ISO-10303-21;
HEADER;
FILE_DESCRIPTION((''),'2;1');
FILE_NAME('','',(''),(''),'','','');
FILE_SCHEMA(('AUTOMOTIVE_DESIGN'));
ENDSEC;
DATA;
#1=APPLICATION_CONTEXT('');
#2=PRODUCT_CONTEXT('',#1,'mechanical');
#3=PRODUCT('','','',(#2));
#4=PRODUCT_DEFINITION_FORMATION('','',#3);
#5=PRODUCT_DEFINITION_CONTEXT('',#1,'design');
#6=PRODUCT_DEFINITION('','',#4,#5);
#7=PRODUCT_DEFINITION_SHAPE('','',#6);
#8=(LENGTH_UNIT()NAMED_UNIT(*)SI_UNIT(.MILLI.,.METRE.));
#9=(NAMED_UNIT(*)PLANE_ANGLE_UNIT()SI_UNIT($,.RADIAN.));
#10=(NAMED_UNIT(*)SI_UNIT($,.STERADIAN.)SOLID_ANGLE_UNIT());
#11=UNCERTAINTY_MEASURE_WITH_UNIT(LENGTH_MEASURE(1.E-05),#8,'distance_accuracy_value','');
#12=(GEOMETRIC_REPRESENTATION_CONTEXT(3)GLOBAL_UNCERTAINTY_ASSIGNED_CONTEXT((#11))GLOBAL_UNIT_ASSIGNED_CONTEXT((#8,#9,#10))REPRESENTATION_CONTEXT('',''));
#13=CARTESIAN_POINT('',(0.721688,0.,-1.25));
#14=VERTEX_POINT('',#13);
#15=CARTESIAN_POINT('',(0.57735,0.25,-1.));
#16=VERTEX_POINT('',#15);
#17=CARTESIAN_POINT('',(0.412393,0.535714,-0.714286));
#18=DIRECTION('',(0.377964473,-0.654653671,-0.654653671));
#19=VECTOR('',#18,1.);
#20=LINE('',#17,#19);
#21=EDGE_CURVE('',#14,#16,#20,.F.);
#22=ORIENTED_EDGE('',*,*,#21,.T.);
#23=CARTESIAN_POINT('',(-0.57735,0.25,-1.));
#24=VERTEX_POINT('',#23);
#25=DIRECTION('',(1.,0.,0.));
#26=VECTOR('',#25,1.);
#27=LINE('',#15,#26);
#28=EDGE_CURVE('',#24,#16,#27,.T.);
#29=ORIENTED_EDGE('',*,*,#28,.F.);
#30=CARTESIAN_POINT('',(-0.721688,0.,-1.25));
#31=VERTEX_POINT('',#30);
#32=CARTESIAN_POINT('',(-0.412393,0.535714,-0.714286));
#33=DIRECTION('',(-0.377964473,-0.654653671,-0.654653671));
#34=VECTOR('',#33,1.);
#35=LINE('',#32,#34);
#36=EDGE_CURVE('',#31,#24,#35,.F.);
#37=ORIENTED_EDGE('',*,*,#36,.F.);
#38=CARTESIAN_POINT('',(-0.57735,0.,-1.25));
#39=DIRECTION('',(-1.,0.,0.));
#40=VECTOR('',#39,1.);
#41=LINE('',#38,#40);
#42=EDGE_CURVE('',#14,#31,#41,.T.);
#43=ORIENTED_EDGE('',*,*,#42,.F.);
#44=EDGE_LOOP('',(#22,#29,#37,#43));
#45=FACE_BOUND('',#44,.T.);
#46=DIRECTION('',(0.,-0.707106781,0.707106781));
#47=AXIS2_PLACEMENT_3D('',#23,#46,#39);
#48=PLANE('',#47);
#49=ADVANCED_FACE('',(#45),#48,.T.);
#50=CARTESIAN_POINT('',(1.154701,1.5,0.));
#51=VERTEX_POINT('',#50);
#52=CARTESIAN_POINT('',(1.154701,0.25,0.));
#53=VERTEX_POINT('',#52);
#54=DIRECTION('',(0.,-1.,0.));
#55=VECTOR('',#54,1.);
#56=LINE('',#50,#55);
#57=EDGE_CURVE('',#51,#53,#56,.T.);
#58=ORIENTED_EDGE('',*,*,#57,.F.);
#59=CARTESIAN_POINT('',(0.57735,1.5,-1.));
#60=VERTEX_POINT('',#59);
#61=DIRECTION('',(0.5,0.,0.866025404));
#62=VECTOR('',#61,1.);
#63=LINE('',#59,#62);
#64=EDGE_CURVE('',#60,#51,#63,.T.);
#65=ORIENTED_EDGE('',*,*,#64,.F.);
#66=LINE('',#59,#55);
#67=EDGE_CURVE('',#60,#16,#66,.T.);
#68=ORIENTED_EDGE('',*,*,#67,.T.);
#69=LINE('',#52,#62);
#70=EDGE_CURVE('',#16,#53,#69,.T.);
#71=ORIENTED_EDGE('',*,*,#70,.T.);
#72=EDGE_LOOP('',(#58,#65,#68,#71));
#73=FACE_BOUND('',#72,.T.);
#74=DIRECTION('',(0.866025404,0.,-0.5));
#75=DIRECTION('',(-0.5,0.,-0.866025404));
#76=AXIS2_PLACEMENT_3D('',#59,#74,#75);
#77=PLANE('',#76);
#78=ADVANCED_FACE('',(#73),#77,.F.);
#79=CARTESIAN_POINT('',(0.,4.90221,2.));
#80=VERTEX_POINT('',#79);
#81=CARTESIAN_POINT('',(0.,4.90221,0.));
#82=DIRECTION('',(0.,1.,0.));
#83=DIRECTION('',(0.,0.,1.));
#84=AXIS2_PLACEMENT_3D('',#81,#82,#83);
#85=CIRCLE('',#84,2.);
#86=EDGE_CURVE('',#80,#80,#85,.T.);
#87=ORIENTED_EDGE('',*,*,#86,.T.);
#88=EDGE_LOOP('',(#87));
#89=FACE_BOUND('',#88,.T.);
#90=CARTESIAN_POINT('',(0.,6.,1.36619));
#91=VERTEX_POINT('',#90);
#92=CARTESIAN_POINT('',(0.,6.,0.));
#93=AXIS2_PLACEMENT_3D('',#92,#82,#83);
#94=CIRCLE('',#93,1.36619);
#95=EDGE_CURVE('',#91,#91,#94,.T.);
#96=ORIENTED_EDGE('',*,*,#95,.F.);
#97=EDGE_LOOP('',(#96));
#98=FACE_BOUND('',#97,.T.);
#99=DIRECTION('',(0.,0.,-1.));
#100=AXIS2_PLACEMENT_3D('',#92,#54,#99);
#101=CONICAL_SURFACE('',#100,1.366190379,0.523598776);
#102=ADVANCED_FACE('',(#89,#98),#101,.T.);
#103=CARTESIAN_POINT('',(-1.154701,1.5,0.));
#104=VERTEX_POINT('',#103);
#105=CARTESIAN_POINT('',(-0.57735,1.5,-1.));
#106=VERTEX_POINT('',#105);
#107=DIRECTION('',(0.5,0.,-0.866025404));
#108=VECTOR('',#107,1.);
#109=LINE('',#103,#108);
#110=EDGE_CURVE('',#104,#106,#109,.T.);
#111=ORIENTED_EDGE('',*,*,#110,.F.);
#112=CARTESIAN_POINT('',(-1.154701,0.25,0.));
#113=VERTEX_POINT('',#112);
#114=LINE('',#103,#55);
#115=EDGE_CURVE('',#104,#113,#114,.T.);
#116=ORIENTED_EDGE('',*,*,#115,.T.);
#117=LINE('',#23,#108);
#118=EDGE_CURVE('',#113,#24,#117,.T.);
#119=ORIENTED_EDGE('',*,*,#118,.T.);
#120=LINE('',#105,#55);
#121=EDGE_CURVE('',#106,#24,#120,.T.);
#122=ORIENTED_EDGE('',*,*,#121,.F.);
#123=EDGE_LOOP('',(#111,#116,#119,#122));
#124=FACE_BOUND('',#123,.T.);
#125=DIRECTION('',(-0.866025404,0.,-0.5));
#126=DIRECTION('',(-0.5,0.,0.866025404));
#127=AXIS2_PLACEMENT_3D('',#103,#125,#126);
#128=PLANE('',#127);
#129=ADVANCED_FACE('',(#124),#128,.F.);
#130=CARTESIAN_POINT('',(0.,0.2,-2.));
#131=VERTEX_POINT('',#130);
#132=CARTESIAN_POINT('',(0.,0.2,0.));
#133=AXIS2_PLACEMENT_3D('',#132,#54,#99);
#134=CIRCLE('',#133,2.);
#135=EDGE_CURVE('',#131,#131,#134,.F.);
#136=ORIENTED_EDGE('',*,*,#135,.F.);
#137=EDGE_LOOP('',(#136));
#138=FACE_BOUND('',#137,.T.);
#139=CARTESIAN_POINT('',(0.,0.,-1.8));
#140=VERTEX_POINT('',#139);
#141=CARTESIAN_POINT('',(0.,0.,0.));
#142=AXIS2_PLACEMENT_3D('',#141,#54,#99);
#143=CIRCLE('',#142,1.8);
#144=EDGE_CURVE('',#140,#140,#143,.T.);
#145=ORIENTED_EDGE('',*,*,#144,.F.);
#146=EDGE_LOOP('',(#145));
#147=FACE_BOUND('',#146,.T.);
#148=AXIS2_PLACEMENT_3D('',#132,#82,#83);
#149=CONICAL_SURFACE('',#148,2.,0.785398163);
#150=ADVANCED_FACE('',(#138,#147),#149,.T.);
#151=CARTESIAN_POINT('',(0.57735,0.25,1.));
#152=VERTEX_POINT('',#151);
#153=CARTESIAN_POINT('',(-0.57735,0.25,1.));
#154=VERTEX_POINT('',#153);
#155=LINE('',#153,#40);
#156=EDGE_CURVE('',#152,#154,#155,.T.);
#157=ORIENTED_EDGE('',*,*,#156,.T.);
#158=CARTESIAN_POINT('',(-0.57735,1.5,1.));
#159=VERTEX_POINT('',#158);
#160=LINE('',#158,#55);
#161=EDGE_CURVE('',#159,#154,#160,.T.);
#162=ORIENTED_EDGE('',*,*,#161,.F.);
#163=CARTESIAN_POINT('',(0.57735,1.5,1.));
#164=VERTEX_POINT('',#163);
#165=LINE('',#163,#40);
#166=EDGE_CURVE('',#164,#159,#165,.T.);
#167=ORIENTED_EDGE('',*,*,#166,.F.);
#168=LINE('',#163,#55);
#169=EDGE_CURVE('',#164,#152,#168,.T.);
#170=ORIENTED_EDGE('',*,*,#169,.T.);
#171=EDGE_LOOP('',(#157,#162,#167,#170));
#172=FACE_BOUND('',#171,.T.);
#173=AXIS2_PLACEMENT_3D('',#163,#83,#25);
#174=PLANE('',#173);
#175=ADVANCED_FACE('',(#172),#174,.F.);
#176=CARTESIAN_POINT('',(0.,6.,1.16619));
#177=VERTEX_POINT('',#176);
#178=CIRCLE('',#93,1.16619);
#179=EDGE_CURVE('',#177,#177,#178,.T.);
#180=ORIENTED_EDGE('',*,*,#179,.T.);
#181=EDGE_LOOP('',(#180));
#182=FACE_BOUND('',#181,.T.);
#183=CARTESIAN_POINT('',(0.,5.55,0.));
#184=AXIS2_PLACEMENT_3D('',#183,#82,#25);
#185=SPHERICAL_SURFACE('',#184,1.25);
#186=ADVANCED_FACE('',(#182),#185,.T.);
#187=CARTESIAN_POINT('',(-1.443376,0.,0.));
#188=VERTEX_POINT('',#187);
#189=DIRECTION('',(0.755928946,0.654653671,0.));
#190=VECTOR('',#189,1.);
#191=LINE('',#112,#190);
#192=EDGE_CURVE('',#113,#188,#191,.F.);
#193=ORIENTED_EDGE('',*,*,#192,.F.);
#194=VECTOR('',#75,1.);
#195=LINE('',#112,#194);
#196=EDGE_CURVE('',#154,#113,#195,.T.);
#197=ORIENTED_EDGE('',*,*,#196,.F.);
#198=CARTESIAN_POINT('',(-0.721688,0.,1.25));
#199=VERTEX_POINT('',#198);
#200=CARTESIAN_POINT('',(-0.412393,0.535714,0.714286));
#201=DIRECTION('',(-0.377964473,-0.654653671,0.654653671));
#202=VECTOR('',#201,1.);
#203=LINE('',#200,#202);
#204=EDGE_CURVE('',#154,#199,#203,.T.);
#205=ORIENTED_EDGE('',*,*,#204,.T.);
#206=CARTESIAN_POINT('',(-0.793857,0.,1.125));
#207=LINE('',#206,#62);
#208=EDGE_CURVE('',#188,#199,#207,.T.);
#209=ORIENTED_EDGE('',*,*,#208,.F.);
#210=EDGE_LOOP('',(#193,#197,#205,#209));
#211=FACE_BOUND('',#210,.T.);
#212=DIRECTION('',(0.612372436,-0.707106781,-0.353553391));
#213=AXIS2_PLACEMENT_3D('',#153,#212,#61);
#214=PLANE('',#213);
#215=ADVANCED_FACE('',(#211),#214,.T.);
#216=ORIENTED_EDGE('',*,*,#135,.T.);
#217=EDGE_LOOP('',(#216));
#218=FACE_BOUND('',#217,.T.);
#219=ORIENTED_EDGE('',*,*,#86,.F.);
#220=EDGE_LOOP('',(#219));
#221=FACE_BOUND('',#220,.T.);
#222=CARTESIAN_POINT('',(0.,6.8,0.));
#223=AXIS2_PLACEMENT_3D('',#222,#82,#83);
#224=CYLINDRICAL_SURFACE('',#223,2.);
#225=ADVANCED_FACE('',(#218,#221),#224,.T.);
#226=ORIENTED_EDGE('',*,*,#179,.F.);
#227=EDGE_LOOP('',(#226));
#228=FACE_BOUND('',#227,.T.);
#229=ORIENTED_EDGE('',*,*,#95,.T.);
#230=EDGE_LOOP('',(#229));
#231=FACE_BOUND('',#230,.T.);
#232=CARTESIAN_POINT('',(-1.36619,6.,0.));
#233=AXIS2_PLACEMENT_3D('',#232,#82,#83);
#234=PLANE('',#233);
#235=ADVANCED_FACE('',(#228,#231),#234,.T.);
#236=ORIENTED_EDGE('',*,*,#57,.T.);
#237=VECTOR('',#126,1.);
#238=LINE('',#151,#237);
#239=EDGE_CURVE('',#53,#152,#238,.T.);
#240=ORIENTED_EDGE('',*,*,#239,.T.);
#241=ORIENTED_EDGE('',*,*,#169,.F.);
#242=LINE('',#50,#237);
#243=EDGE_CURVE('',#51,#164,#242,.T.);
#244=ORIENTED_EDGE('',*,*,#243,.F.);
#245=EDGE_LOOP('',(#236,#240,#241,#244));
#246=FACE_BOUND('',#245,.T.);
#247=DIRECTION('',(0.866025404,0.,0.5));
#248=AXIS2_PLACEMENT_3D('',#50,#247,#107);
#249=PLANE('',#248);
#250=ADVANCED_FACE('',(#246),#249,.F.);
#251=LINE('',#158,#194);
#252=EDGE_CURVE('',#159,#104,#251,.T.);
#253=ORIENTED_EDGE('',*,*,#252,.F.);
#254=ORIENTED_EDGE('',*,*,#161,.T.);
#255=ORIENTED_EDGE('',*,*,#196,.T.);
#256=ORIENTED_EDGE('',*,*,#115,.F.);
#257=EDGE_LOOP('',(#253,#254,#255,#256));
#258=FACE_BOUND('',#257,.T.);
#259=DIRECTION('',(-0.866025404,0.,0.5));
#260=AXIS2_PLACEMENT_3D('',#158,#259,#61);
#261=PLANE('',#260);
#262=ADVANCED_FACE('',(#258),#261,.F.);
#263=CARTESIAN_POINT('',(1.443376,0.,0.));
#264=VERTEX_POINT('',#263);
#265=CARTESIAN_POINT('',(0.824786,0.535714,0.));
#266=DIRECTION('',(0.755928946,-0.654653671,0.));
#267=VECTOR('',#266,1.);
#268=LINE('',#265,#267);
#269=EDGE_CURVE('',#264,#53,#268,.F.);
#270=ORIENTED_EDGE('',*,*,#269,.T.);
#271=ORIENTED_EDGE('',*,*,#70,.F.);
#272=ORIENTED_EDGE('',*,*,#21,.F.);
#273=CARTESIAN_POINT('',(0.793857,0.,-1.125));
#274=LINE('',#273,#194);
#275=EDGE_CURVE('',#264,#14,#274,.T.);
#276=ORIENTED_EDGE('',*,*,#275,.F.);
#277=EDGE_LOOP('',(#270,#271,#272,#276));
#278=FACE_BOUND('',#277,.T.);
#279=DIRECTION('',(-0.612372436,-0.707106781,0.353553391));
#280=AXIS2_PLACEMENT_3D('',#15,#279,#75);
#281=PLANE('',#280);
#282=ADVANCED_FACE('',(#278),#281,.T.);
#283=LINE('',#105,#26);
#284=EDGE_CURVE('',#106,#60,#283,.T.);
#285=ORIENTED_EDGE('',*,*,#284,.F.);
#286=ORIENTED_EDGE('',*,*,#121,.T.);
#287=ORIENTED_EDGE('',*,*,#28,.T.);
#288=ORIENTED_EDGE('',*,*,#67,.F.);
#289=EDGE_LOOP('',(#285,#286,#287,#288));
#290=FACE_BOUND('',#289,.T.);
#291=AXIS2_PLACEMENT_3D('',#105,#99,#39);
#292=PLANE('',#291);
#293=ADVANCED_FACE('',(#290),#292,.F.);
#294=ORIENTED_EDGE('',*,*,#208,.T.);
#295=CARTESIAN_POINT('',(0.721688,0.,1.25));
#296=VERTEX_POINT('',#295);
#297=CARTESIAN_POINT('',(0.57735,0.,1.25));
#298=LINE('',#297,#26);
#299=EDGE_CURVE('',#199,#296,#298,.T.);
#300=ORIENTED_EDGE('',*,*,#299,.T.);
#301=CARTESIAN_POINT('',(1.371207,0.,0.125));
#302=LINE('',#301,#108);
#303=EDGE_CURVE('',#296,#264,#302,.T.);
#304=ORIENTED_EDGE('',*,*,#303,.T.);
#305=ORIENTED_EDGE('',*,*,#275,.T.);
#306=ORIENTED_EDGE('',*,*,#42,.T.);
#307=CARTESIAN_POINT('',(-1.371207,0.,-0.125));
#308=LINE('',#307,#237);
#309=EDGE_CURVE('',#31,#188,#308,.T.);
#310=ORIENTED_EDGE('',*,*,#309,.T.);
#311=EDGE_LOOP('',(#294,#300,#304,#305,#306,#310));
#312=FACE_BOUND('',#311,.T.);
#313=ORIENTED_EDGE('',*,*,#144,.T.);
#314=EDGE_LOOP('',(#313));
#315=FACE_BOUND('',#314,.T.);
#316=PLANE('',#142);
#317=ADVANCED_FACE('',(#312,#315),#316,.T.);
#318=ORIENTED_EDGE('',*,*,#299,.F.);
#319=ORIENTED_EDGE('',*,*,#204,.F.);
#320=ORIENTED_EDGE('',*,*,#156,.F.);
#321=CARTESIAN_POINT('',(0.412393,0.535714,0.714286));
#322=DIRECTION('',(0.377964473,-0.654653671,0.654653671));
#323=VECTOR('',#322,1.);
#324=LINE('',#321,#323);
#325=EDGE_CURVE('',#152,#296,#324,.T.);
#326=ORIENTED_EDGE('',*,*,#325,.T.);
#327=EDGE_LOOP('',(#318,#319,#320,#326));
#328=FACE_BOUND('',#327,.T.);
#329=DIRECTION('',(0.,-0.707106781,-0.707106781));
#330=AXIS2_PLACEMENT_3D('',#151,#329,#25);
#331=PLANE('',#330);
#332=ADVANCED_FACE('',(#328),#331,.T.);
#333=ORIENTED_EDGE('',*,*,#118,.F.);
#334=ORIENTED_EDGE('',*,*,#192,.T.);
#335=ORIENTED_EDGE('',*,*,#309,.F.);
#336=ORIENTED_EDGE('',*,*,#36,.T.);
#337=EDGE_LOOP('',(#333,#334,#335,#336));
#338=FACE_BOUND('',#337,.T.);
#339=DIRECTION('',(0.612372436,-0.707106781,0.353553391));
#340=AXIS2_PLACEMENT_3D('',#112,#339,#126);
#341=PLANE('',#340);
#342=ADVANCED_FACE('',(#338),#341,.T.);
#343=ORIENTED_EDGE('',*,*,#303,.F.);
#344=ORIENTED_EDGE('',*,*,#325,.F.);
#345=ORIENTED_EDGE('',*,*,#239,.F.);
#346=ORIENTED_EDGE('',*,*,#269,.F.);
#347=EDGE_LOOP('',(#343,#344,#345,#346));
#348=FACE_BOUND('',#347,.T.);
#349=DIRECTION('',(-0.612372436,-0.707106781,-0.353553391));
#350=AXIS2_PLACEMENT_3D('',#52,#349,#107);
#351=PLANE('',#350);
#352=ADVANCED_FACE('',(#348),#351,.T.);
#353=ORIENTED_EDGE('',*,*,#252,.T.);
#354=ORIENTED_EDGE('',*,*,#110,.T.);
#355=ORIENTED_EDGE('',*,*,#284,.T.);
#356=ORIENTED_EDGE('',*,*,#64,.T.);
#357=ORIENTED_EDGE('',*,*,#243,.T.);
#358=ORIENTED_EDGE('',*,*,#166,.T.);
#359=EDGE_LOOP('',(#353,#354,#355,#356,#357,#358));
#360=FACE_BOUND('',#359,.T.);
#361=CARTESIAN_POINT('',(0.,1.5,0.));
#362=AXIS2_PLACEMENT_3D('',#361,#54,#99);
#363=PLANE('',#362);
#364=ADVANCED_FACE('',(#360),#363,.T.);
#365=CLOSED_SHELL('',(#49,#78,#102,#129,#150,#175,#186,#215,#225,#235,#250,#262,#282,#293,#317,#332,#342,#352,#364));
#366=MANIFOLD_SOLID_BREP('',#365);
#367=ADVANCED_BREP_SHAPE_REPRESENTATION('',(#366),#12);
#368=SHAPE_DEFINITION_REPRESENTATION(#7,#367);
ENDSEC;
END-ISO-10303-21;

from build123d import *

# Parameters (mm, degrees)
CHAMFER_1_SIZE      = 0.2
CUT_EXTRUDE_1_DEPTH = 1.5
CHAMFER_3_SIZE      = 0.25


with BuildPart() as part:
    # Эскиз1 → Повернуть1 (revolve)
    with BuildSketch(Plane.XY, mode=Mode.PRIVATE) as revolve_1_sk:
        with BuildLine():
            Line((0, 0), (-2, 0))
            Line((-2, 0), (-2, 4.902209534))
            Line((-2, 4.902209534), (-1.366190379, 6))
            Line((-1.366190379, 6), (-1.166190379, 6))
            ThreePointArc((-1.166190379, 6), (-0.707106781, 6.580776406), (0, 6.8))
            Line((0, 6.8), (0, 0))
        make_face()
    revolve(revolve_1_sk.sketch.rotate(Axis((0, 6.8, 0), (0, -1, 0)), 270), axis=Axis((0, 6.8, 0), (0, -1, 0)))

    # Фаска1
    chamfer_1_edges = [part.edges().sort_by_distance(p)[0] for p in [
        (0, 0, -2),
    ]]
    chamfer(chamfer_1_edges, length=CHAMFER_1_SIZE)

    # Эскиз2 → Вырез-Вытянуть1 (cut)
    with BuildSketch(Plane.XZ):
        Polygon((1.154700538, 0), (0.577350269, 1), (-0.577350269, 1), (-1.154700538, 0), (-0.577350269, -1), (0.577350269, -1), align=None)
    extrude(amount=-CUT_EXTRUDE_1_DEPTH, mode=Mode.SUBTRACT)

    # Фаска3
    chamfer_3_edges = [part.edges().sort_by_distance(p)[0] for p in [
        (0.8660254037844386, 0, -0.5000000000000002),
        (0.8660254037844386, 0, 0.5000000000000007),
        (0, 0, 1),
        (-0.8660254037844393, 0, 0.5000000000000004),
        (-0.8660254037844393, 0, -0.5000000000000003),
        (0, 0, -1),
    ]]
    chamfer(chamfer_3_edges, length=CHAMFER_3_SIZE)


solid = part.part
